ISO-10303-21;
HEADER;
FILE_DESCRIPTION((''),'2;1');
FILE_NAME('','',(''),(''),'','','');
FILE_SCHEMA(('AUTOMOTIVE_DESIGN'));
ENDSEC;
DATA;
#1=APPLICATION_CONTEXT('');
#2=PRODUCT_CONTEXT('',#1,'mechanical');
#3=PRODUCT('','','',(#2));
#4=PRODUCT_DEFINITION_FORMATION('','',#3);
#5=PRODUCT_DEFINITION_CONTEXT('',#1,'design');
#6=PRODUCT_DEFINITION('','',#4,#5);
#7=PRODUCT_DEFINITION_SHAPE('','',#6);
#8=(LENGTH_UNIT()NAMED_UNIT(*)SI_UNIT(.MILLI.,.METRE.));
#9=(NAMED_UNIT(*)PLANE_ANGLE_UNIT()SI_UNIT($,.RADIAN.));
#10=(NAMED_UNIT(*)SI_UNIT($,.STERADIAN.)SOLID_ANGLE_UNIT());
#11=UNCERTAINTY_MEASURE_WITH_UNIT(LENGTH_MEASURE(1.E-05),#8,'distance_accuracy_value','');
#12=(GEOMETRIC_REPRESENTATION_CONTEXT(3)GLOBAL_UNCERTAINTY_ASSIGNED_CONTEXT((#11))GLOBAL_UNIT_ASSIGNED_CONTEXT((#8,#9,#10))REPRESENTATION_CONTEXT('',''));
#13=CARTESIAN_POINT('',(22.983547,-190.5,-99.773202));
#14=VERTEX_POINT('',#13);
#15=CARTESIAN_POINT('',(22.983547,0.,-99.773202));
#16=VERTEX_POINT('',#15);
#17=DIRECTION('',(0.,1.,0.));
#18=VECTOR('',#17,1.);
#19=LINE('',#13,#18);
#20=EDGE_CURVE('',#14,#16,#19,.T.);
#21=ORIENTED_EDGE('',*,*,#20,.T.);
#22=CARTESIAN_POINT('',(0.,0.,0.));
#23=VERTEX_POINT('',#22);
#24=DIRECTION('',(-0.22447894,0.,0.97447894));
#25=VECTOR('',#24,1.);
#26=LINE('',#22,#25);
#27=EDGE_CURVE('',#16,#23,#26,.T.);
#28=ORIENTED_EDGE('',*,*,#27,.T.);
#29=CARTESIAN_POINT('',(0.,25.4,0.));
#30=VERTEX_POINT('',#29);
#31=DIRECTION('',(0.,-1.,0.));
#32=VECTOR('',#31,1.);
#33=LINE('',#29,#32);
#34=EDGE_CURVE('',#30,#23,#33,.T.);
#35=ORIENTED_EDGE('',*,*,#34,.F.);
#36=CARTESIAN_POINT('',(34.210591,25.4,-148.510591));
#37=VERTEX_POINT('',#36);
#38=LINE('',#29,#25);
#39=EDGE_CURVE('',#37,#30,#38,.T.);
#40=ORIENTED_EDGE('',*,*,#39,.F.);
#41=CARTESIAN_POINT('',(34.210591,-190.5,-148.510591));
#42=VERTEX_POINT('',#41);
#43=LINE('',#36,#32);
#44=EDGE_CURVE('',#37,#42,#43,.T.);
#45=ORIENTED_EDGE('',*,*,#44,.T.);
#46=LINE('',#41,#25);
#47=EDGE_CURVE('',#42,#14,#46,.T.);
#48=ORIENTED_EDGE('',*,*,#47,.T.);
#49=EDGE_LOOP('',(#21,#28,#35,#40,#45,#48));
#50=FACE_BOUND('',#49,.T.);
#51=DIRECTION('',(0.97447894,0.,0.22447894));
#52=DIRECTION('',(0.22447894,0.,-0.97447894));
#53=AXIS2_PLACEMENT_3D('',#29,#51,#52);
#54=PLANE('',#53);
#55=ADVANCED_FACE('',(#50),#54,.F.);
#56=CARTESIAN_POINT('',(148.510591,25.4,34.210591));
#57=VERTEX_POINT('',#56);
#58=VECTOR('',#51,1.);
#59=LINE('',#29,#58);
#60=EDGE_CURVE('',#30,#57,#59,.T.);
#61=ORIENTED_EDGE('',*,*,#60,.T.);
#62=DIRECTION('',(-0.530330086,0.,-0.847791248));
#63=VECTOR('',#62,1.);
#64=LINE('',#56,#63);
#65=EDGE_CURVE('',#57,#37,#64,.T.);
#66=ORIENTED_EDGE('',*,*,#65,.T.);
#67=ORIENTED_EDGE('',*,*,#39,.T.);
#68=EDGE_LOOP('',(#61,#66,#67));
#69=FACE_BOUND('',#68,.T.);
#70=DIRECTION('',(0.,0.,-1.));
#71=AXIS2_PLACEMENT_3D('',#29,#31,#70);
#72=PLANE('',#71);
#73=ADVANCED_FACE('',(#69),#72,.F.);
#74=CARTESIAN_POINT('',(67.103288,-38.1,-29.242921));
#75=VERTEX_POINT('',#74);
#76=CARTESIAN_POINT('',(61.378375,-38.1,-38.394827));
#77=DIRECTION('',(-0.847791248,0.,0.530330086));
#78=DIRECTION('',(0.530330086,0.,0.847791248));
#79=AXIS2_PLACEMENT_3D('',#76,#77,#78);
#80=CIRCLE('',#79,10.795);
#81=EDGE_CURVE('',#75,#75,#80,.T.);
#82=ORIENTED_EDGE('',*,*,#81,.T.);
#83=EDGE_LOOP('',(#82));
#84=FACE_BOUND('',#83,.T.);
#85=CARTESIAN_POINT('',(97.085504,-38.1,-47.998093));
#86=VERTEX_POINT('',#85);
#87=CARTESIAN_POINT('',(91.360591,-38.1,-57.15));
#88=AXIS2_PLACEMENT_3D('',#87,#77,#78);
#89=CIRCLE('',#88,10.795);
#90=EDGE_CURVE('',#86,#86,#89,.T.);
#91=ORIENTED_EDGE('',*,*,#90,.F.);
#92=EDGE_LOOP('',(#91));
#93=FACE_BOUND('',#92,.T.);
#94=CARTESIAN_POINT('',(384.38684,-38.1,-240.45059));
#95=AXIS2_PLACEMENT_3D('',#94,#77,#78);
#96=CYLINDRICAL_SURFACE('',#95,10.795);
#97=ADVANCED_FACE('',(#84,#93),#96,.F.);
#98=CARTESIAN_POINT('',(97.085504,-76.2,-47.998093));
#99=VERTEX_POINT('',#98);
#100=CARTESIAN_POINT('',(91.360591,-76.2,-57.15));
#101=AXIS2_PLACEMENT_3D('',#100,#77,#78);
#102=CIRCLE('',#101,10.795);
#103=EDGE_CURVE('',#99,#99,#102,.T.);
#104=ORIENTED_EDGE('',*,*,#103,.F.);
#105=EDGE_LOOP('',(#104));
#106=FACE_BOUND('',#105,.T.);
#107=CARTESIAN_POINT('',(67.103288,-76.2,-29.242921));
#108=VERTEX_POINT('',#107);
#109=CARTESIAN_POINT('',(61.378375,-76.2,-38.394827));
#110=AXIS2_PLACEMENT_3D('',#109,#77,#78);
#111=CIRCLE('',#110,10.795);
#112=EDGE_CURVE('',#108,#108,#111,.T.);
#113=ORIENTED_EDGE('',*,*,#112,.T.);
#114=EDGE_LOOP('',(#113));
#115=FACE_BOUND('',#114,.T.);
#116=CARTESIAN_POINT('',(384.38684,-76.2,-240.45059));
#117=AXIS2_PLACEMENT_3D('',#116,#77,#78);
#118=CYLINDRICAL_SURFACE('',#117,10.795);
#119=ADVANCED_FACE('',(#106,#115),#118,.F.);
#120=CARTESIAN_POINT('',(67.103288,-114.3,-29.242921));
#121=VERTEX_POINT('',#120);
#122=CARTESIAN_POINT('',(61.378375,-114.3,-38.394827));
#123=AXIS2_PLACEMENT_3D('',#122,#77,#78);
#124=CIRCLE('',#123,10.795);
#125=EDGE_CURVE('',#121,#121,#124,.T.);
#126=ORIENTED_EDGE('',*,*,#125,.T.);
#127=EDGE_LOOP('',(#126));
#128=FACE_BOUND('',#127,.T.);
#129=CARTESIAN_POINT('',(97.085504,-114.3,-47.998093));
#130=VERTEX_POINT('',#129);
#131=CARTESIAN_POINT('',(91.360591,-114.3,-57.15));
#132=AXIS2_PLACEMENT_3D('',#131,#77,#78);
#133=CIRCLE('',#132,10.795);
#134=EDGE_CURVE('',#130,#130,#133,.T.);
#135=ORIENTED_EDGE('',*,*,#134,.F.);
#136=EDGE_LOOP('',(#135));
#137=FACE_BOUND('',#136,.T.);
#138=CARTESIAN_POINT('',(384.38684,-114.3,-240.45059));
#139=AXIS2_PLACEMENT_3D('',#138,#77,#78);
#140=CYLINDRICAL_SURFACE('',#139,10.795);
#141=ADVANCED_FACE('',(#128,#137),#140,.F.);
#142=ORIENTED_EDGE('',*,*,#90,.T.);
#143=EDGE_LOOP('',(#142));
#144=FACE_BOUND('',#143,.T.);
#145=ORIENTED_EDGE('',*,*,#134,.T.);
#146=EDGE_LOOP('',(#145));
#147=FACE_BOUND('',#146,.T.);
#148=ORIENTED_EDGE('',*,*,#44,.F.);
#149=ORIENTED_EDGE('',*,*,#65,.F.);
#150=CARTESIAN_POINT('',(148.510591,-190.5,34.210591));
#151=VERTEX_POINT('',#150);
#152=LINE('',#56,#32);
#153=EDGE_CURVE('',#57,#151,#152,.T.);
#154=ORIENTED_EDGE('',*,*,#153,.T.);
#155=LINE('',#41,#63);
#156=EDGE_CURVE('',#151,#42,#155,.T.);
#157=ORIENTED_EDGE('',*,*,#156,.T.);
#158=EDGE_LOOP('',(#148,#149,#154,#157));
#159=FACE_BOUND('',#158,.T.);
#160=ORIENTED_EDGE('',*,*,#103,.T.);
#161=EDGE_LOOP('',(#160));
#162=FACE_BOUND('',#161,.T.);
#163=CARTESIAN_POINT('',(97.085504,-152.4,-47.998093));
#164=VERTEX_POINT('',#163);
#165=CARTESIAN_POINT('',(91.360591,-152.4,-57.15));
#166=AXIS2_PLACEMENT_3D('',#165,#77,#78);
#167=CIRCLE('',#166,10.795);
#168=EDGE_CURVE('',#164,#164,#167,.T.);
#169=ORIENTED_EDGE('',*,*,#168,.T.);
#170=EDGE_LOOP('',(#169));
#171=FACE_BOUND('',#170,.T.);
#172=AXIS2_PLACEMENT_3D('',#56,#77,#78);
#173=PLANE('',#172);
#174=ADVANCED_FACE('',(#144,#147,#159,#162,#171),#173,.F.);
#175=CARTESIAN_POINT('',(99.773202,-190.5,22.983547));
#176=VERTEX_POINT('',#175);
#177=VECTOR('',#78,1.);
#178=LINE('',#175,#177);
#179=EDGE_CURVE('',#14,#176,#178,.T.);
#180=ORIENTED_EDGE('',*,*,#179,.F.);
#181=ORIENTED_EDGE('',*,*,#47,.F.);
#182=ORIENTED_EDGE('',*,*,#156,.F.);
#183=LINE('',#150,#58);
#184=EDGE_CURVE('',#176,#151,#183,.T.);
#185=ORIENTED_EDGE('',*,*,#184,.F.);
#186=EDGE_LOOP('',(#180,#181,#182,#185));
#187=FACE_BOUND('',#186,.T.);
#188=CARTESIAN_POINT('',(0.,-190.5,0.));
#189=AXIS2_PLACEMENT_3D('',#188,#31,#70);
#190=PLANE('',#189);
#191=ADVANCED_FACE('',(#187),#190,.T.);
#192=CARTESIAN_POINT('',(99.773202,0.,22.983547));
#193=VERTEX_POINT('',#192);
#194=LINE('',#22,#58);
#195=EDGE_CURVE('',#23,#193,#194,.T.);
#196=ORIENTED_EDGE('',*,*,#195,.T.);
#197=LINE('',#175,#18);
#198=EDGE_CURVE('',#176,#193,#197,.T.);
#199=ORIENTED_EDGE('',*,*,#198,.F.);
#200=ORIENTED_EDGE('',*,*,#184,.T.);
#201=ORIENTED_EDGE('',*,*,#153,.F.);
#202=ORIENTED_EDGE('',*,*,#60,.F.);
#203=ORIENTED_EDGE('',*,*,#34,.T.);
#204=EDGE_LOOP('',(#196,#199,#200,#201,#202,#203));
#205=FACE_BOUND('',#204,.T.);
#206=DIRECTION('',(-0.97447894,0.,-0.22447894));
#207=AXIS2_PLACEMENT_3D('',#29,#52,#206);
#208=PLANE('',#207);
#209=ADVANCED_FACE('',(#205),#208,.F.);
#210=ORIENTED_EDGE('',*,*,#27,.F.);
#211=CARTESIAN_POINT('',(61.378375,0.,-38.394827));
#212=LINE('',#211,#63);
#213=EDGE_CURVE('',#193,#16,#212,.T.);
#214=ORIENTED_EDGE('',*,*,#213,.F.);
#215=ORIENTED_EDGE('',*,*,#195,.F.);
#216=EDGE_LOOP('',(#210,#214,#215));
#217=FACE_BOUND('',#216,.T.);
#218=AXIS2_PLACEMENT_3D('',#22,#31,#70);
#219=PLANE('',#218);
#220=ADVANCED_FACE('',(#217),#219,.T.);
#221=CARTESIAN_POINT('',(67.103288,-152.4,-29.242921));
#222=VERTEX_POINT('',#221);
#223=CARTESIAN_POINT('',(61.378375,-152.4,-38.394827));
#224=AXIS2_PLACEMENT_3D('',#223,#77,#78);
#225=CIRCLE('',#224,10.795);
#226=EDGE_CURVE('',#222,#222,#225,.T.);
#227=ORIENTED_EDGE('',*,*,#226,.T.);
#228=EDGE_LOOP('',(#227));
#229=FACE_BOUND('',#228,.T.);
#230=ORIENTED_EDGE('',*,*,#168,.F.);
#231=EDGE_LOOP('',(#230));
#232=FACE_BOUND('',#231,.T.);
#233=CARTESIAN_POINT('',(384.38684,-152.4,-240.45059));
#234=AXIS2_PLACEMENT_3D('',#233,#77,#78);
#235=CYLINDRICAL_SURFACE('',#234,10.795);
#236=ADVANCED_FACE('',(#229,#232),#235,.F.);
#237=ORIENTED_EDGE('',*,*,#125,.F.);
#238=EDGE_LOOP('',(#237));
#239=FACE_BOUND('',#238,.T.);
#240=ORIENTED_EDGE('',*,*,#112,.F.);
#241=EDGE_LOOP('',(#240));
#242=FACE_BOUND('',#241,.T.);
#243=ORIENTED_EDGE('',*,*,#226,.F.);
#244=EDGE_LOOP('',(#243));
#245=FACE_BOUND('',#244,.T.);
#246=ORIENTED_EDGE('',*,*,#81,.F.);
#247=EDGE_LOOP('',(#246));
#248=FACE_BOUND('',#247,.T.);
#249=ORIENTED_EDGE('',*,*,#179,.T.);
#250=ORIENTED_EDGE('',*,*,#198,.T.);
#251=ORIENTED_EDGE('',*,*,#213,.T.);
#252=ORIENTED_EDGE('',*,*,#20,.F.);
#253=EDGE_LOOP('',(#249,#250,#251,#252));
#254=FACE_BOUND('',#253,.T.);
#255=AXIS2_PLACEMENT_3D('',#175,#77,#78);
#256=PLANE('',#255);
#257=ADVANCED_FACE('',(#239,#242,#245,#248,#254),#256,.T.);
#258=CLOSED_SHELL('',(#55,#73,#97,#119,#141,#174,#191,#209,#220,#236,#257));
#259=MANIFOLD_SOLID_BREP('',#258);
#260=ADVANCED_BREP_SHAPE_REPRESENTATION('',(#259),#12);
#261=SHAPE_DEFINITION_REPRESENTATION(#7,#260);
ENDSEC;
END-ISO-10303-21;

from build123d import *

# Parameters (mm, degrees)
BOSS_EXTRUDE1_DEPTH = 25.4
BOSS_EXTRUDE2_DEPTH = 215.9
SKETCH3_R           = 10.795
CUT_EXTRUDE1_DEPTH  = 381


with BuildPart() as part:
    # Sketch1 → Boss-Extrude1 (new body)
    with BuildSketch(Plane(origin=(0, 0, 0), x_dir=(1, 0, 0), z_dir=(0, 1, 0))):
        Polygon((0, 0), (148.510590519, -34.210590519), (34.210590519, 148.510590519), align=None)
    extrude(amount=BOSS_EXTRUDE1_DEPTH)

    # Sketch2 → Boss-Extrude2 (add)
    with BuildSketch(Plane(origin=(0, 25.4, 0), x_dir=(1, 0, 0), z_dir=(0, 1, 0))):
        Polygon((34.210590519, 148.510590519), (22.983547144, 99.773202004), (99.773202004, -22.983547144), (148.510590519, -34.210590519), align=None)
    extrude(amount=-BOSS_EXTRUDE2_DEPTH)

    # Sketch3 → Cut-Extrude1 (cut)
    with BuildSketch(Plane(origin=(61.378374574, 0, -38.39482743), x_dir=(0.5303300858898913, 0, 0.8477912478906706), z_dir=(-0.8477912478906706, 0, 0.5303300858898913))):
        with Locations((0, -38.1)):
            Circle(SKETCH3_R)
        with Locations((0, -114.3)):
            Circle(SKETCH3_R)
        with Locations((0, -152.4)):
            Circle(SKETCH3_R)
        with Locations((0, -76.2)):
            Circle(SKETCH3_R)
    extrude(amount=-CUT_EXTRUDE1_DEPTH, mode=Mode.SUBTRACT)


solid = part.part
